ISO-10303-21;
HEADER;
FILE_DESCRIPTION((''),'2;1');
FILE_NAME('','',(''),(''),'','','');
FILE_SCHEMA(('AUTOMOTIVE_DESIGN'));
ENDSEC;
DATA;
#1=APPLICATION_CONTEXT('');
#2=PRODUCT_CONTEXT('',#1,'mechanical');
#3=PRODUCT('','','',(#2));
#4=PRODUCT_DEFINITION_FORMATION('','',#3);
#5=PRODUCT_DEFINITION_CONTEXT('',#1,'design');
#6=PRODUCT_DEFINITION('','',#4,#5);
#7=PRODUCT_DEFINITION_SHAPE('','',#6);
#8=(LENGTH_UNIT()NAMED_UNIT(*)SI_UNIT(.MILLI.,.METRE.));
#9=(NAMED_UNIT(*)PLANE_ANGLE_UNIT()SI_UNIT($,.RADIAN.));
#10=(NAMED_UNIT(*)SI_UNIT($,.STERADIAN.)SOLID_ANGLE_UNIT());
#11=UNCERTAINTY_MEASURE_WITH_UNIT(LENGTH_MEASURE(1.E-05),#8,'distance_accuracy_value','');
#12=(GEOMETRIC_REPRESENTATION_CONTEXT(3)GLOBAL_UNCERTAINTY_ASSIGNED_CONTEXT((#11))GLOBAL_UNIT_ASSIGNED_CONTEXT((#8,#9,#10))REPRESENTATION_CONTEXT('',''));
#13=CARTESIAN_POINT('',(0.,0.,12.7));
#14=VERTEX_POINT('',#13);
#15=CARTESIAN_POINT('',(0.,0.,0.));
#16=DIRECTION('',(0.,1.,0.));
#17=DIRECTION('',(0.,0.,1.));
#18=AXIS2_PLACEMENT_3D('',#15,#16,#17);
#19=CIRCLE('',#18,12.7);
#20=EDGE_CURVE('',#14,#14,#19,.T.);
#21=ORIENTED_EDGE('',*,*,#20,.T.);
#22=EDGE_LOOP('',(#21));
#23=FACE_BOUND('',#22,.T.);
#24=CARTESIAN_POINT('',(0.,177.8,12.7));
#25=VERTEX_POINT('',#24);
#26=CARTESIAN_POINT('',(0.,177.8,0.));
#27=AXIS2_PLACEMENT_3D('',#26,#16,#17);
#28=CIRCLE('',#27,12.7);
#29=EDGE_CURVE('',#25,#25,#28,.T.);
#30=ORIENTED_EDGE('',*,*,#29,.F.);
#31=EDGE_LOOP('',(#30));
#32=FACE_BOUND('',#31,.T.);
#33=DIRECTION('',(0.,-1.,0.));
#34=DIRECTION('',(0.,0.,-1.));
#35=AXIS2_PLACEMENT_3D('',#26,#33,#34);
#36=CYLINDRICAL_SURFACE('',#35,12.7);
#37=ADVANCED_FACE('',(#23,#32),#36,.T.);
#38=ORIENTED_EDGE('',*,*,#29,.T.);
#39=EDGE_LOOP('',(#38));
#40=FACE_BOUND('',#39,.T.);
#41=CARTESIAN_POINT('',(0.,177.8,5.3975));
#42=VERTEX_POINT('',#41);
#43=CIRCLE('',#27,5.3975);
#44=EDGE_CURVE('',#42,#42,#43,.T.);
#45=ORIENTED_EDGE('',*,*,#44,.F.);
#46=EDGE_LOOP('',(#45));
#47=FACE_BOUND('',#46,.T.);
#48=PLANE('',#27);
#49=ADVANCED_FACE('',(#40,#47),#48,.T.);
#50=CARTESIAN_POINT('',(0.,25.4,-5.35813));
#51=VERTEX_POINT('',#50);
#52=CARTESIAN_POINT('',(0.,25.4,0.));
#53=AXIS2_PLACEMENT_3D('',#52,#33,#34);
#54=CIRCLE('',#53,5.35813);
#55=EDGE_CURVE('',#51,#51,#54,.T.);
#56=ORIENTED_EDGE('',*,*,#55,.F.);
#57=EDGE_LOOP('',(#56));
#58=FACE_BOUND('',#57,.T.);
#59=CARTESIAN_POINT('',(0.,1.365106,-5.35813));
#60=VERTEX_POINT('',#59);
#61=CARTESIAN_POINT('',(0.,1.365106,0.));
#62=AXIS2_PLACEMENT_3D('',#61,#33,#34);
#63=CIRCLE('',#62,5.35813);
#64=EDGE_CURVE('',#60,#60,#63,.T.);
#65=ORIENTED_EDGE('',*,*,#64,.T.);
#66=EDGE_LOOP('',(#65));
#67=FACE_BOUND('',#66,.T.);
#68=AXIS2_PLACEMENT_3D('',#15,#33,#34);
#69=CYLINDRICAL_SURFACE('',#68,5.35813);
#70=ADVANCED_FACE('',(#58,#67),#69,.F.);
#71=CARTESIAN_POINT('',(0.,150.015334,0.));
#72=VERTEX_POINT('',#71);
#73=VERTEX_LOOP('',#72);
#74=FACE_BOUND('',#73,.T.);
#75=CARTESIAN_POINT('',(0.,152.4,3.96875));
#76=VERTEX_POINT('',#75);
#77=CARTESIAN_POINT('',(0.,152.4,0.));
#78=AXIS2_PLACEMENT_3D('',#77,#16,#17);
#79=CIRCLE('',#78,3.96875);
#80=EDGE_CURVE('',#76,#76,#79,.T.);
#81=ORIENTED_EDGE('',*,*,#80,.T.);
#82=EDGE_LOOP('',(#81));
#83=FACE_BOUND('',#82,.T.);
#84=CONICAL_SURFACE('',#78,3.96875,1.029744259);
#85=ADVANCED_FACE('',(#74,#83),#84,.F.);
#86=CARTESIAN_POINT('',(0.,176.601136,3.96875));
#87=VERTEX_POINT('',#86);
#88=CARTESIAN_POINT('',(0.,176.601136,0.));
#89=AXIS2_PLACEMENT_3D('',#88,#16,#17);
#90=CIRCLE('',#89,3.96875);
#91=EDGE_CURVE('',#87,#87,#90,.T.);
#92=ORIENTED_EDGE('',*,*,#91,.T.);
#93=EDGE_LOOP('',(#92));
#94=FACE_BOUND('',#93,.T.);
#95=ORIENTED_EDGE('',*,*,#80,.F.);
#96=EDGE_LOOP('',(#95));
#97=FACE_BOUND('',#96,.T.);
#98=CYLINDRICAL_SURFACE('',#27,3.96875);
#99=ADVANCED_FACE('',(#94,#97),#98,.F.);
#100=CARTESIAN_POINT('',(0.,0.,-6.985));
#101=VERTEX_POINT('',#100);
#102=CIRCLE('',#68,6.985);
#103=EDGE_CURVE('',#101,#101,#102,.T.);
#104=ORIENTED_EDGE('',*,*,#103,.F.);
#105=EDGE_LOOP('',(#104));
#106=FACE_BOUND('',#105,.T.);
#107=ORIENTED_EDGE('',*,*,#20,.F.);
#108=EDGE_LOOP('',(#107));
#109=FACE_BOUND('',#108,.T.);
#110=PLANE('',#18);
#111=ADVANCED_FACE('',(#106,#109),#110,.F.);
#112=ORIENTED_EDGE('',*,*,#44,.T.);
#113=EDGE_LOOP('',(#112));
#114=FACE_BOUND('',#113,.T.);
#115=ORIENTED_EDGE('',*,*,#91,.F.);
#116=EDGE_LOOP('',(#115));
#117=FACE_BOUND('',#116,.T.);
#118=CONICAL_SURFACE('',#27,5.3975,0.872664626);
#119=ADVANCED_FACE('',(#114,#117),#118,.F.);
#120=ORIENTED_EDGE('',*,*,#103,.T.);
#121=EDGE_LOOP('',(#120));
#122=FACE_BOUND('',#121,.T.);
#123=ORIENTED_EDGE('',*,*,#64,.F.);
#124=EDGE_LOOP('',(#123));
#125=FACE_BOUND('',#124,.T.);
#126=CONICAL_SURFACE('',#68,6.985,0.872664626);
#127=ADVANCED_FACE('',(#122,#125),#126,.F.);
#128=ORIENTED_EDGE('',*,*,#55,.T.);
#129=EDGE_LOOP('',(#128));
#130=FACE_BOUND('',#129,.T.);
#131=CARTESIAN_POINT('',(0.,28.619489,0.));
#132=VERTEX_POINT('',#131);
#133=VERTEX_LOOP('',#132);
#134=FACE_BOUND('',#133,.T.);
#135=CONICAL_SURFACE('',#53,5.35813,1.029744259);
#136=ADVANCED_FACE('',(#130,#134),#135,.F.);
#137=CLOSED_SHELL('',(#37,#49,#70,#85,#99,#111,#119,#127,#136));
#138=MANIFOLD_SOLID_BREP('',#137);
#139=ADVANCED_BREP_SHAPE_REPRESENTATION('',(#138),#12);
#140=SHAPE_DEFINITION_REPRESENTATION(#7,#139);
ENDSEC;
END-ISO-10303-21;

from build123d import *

# Parameters (mm, degrees)
SKETCH1_R                         = 12.7
BOSS_EXTRUDE1_DEPTH               = 177.8
F_1_2_13_TAPPED_HOLE1_D           = 10.71626
F_1_2_13_TAPPED_HOLE1_DEPTH       = 25.4
F_1_2_13_TAPPED_HOLE1_CSINK_D     = 13.97
F_1_2_13_TAPPED_HOLE1_CSINK_ANGLE = 100
F_1_2_13_TAPPED_HOLE1_TIP         = 3.219489309
F_3_8_16_TAPPED_HOLE1_D           = 7.9375
F_3_8_16_TAPPED_HOLE1_DEPTH       = 25.4
F_3_8_16_TAPPED_HOLE1_CSINK_D     = 10.795
F_3_8_16_TAPPED_HOLE1_CSINK_ANGLE = 100
F_3_8_16_TAPPED_HOLE1_TIP         = 2.384665582


with BuildPart() as part:
    # Sketch1 → Boss-Extrude1 (new body)
    with BuildSketch(Plane(origin=(0, 0, 0), x_dir=(1, 0, 0), z_dir=(0, 1, 0))):
        with Locations(Location((0, 0, 0), (0, 0, 270))):
            Circle(SKETCH1_R)
    extrude(amount=BOSS_EXTRUDE1_DEPTH)

    # 1/2-13 Tapped Hole1
    with Locations(Plane(origin=(0, 0, 0), x_dir=(-1, 0, 0), z_dir=(0, -1, 0))):
        with Locations((0, 0)):
            CounterSinkHole(F_1_2_13_TAPPED_HOLE1_D / 2, F_1_2_13_TAPPED_HOLE1_CSINK_D / 2, depth=F_1_2_13_TAPPED_HOLE1_DEPTH, counter_sink_angle=F_1_2_13_TAPPED_HOLE1_CSINK_ANGLE)
            with Locations((0, 0, -(F_1_2_13_TAPPED_HOLE1_DEPTH + F_1_2_13_TAPPED_HOLE1_TIP / 2))):  # 118° drill point
                Cone(0, F_1_2_13_TAPPED_HOLE1_D / 2, F_1_2_13_TAPPED_HOLE1_TIP, mode=Mode.SUBTRACT)

    # 3/8-16 Tapped Hole1
    with Locations(Plane(origin=(0, 177.8, 0), x_dir=(1, 0, 0), z_dir=(0, 1, 0))):
        with Locations((0, 0)):
            CounterSinkHole(F_3_8_16_TAPPED_HOLE1_D / 2, F_3_8_16_TAPPED_HOLE1_CSINK_D / 2, depth=F_3_8_16_TAPPED_HOLE1_DEPTH, counter_sink_angle=F_3_8_16_TAPPED_HOLE1_CSINK_ANGLE)
            with Locations((0, 0, -(F_3_8_16_TAPPED_HOLE1_DEPTH + F_3_8_16_TAPPED_HOLE1_TIP / 2))):  # 118° drill point
                Cone(0, F_3_8_16_TAPPED_HOLE1_D / 2, F_3_8_16_TAPPED_HOLE1_TIP, mode=Mode.SUBTRACT)


solid = part.part
